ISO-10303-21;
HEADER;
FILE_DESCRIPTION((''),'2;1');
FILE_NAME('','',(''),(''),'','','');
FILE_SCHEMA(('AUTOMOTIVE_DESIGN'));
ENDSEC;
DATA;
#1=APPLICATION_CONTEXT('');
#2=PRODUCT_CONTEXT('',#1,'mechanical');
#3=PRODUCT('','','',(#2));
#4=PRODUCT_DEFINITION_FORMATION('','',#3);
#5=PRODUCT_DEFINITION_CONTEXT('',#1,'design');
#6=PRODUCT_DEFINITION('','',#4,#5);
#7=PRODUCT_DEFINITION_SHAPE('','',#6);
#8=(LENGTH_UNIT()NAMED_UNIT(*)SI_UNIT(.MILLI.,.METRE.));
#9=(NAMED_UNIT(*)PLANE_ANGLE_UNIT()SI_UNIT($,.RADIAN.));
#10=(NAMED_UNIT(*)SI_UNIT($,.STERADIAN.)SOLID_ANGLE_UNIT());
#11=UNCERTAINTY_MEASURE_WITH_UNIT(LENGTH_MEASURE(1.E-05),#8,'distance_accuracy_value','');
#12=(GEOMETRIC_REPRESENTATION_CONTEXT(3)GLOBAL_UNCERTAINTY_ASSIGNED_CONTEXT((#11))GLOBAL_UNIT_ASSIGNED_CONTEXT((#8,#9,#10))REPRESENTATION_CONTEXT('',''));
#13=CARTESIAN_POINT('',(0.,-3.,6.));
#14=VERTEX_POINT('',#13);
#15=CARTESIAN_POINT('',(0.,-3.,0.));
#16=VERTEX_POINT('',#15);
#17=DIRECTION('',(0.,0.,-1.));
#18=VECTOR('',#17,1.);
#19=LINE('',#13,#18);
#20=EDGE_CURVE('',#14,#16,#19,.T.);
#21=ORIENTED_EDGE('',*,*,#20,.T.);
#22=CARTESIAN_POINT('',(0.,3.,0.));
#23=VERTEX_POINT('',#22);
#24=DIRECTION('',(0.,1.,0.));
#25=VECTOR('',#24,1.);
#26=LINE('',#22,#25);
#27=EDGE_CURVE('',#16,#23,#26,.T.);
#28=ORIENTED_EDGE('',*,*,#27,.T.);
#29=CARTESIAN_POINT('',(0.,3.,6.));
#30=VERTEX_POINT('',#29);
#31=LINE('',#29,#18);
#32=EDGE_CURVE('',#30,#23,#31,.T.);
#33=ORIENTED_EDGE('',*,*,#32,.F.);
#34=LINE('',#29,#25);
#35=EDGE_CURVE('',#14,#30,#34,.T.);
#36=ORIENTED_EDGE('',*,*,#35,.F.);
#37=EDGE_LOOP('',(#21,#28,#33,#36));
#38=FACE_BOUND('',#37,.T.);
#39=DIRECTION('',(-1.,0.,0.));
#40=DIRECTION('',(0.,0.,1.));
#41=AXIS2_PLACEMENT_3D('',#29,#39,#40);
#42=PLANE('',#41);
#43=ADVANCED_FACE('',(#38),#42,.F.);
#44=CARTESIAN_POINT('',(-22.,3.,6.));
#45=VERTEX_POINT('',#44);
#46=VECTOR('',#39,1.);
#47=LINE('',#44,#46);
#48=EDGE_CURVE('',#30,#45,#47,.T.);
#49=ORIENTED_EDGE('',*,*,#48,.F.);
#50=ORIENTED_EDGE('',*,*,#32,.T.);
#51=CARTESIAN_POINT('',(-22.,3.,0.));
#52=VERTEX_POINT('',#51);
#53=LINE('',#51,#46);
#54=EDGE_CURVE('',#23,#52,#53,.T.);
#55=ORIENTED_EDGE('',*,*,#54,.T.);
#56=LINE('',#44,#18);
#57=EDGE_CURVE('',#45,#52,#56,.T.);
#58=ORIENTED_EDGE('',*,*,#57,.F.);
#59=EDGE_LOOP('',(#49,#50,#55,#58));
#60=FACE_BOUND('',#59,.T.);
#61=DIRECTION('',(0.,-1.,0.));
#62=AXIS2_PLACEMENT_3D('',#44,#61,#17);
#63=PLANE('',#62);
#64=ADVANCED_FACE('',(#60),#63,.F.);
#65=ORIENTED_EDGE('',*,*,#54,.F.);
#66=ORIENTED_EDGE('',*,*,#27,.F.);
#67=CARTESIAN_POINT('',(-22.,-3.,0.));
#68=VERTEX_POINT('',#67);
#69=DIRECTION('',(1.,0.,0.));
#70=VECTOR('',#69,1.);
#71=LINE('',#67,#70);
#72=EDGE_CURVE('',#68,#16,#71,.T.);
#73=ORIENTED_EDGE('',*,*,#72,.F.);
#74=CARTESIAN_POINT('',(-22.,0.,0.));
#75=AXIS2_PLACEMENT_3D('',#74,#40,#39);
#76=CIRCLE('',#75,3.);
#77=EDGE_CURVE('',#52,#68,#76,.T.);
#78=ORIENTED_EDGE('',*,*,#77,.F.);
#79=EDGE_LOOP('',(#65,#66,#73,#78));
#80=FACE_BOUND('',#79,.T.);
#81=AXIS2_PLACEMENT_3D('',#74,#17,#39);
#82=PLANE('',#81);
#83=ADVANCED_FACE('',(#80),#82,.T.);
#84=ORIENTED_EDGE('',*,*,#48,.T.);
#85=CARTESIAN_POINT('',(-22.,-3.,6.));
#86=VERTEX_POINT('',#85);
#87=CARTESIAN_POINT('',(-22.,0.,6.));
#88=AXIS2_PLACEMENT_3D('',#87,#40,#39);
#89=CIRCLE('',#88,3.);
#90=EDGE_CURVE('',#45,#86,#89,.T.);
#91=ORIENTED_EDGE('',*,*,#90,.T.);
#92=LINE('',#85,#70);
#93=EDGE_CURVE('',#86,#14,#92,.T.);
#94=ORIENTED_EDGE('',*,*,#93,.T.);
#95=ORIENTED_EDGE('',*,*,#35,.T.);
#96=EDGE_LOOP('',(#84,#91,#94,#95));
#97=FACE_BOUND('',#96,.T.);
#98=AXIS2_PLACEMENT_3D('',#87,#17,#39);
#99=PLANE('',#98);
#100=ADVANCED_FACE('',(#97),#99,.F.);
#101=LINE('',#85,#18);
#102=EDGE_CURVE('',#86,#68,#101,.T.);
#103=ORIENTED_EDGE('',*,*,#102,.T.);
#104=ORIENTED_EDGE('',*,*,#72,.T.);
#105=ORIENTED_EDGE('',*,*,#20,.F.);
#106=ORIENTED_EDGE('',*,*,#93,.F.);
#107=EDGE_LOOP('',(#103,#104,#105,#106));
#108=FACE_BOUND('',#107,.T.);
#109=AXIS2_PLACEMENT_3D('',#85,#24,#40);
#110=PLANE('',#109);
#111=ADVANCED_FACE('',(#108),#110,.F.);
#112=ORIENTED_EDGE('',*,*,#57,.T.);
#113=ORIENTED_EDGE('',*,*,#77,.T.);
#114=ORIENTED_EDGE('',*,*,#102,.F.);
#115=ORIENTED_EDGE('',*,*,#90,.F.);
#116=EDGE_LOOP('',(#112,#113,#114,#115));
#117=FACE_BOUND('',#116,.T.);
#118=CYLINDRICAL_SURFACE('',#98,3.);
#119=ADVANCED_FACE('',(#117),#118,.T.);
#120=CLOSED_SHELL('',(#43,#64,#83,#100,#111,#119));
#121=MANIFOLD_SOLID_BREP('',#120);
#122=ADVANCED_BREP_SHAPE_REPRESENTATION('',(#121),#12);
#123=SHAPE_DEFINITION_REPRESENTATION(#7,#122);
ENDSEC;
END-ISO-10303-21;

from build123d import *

# Parameters (mm, degrees)
BOSS_EXTRUDE1_DEPTH = 6


with BuildPart() as part:
    # Sketch1 → Boss-Extrude1 (new body)
    with BuildSketch(Plane.XY):
        with BuildLine():
            Line((-22, -3), (0, -3))
            Line((0, -3), (0, 3))
            Line((0, 3), (-22, 3))
            ThreePointArc((-22, 3), (-25, 0), (-22, -3))
        make_face()
    extrude(amount=BOSS_EXTRUDE1_DEPTH)


solid = part.part
